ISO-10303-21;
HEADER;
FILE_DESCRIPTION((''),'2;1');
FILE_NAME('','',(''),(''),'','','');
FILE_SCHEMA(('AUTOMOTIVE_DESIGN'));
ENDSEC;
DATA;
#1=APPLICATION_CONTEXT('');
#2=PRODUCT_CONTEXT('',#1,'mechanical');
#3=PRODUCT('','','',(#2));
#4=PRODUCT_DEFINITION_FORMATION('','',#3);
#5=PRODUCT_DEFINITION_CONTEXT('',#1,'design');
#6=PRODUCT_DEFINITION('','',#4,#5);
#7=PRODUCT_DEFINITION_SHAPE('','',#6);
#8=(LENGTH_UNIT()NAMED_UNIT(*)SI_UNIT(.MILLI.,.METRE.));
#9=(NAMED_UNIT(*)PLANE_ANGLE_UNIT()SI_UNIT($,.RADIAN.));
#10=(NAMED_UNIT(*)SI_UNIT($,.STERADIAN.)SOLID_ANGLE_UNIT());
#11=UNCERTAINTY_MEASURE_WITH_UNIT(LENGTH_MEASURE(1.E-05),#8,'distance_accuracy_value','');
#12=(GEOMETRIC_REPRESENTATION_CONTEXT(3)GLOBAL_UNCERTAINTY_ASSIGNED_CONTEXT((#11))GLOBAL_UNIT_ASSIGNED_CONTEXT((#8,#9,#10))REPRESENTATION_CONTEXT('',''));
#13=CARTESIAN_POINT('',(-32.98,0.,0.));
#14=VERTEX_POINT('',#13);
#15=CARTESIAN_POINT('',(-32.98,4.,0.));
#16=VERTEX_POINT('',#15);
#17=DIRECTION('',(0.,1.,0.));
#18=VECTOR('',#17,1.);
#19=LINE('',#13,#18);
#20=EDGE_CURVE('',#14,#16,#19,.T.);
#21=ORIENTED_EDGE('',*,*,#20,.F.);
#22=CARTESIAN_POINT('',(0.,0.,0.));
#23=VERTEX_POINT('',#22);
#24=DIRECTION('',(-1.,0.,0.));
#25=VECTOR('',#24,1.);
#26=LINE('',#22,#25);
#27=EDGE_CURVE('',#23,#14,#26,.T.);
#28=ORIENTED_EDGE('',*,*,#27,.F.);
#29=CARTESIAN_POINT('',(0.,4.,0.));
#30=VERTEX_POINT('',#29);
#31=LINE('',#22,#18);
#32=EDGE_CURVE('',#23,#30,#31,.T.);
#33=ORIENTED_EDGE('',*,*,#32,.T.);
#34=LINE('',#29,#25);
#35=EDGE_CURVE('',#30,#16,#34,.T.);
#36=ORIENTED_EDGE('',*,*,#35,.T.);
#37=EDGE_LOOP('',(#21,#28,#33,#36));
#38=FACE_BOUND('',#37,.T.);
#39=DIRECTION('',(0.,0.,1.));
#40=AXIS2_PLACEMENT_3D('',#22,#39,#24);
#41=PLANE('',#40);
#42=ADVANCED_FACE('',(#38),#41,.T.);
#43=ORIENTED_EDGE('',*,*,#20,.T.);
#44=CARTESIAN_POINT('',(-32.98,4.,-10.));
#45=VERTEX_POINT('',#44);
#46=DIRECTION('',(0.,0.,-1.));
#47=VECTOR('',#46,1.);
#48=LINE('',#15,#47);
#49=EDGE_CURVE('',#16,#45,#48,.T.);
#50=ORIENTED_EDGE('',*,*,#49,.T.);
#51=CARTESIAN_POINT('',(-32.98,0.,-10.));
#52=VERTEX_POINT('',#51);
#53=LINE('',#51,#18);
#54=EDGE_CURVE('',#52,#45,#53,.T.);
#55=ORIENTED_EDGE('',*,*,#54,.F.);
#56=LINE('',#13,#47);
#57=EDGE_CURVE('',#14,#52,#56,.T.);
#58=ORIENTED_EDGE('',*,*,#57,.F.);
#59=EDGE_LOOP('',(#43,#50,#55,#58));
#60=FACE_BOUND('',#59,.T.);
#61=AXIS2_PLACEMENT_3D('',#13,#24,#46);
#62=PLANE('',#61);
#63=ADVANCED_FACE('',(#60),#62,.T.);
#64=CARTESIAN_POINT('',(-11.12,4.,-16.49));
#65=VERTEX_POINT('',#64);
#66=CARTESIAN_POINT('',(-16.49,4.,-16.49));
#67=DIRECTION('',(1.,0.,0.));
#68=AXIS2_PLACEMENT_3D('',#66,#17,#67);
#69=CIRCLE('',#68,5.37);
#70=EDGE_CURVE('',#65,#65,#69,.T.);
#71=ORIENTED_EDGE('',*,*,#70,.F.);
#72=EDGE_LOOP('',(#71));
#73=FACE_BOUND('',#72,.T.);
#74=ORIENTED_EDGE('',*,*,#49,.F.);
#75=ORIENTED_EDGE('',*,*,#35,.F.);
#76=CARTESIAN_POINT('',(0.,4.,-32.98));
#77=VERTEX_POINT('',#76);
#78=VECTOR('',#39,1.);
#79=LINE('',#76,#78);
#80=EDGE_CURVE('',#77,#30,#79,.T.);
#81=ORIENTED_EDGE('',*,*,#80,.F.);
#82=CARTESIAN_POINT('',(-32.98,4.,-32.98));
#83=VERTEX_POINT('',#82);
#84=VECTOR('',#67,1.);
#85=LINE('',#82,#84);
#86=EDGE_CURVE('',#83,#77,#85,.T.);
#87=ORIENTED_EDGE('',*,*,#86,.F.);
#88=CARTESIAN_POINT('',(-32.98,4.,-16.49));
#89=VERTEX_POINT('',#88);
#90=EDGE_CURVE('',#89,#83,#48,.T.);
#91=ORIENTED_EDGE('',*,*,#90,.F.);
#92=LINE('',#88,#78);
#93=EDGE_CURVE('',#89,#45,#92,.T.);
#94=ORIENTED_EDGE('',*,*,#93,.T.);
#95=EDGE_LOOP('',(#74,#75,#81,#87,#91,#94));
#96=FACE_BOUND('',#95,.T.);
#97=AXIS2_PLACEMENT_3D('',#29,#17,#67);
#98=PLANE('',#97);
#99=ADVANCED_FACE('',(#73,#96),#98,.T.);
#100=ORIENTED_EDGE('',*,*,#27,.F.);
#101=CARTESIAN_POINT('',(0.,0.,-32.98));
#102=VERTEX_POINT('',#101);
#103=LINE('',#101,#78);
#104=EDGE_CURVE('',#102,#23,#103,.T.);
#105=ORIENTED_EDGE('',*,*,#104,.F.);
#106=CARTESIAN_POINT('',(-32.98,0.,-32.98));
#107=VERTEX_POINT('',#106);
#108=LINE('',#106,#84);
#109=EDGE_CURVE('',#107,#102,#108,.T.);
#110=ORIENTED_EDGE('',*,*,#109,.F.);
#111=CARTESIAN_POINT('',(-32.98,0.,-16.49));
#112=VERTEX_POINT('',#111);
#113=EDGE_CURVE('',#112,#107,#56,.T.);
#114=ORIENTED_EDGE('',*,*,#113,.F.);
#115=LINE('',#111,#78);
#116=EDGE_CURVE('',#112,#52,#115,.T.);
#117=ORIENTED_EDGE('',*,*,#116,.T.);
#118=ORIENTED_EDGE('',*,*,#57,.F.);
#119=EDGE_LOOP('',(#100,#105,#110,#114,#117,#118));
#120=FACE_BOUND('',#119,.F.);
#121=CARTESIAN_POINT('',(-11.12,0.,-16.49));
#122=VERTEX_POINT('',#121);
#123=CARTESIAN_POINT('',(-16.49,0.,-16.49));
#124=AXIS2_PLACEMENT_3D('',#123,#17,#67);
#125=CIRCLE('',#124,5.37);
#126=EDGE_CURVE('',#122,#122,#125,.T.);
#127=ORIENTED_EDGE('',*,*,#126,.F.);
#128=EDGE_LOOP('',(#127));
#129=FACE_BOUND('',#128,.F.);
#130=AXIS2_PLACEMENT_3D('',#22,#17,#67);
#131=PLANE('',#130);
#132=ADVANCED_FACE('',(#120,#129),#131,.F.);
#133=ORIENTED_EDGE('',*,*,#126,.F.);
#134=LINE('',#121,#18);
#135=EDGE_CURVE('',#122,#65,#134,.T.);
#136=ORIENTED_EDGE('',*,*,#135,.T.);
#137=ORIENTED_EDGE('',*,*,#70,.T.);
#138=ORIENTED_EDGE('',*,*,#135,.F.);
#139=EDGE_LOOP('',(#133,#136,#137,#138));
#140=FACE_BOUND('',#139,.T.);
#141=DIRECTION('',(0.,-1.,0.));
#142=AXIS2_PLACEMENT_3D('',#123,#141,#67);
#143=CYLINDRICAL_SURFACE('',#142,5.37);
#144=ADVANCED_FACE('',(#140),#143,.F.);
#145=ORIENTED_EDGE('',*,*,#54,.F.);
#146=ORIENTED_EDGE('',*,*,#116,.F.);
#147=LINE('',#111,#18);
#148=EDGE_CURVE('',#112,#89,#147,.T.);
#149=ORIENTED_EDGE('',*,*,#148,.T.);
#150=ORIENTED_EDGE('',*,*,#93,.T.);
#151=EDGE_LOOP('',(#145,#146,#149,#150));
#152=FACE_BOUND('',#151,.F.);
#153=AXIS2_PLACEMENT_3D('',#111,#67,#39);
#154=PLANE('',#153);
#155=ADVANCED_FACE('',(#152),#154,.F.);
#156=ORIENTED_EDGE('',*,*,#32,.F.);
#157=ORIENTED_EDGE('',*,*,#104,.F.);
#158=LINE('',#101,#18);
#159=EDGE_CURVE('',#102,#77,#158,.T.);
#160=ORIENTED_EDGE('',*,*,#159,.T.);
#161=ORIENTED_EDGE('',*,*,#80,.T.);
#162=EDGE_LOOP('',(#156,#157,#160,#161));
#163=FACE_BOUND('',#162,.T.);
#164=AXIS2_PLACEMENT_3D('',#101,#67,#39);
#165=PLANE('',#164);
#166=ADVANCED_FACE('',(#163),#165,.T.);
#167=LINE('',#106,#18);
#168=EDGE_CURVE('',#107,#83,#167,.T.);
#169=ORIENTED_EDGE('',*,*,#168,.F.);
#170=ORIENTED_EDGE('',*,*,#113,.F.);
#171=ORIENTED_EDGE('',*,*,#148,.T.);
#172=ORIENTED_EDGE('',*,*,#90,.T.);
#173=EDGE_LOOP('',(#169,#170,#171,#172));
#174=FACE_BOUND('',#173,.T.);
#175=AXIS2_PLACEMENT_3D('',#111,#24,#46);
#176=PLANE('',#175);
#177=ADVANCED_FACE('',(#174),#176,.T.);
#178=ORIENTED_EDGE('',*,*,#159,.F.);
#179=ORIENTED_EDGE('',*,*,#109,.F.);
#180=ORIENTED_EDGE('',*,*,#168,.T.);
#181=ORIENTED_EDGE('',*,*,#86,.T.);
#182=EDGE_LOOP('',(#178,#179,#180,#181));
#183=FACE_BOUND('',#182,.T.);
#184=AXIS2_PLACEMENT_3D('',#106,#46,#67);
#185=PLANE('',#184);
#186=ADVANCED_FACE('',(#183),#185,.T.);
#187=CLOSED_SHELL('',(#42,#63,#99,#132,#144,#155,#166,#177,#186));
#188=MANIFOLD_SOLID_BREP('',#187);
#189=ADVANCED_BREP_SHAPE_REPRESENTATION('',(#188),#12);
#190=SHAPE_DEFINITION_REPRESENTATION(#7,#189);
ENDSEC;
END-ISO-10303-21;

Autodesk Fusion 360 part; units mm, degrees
sketch "Sketch1" plane through (0, 0, 0) normal (0, 1, 0) x (1, 0, 0)
  line L0 (0, 0) -> (-32.98, 0)
  line L1 (-32.98, 0) -> (-32.98, 32.98)
  line L2 (-32.98, 32.98) -> (0, 32.98)
  line L3 (0, 32.98) -> (0, 0)
  line L4 (-32.98, 16.49) -> (-32.98, 10)
  circle A0 centre (-16.49, 16.49) radius 5.37
  dimension "d1" = 32.98
  dimension "d2" = 32.98
  dimension "d3" = 6.49
  dimension "d5" = 10.74
extrude "Extrude1" add sketch "Sketch1" along normal blind 4
